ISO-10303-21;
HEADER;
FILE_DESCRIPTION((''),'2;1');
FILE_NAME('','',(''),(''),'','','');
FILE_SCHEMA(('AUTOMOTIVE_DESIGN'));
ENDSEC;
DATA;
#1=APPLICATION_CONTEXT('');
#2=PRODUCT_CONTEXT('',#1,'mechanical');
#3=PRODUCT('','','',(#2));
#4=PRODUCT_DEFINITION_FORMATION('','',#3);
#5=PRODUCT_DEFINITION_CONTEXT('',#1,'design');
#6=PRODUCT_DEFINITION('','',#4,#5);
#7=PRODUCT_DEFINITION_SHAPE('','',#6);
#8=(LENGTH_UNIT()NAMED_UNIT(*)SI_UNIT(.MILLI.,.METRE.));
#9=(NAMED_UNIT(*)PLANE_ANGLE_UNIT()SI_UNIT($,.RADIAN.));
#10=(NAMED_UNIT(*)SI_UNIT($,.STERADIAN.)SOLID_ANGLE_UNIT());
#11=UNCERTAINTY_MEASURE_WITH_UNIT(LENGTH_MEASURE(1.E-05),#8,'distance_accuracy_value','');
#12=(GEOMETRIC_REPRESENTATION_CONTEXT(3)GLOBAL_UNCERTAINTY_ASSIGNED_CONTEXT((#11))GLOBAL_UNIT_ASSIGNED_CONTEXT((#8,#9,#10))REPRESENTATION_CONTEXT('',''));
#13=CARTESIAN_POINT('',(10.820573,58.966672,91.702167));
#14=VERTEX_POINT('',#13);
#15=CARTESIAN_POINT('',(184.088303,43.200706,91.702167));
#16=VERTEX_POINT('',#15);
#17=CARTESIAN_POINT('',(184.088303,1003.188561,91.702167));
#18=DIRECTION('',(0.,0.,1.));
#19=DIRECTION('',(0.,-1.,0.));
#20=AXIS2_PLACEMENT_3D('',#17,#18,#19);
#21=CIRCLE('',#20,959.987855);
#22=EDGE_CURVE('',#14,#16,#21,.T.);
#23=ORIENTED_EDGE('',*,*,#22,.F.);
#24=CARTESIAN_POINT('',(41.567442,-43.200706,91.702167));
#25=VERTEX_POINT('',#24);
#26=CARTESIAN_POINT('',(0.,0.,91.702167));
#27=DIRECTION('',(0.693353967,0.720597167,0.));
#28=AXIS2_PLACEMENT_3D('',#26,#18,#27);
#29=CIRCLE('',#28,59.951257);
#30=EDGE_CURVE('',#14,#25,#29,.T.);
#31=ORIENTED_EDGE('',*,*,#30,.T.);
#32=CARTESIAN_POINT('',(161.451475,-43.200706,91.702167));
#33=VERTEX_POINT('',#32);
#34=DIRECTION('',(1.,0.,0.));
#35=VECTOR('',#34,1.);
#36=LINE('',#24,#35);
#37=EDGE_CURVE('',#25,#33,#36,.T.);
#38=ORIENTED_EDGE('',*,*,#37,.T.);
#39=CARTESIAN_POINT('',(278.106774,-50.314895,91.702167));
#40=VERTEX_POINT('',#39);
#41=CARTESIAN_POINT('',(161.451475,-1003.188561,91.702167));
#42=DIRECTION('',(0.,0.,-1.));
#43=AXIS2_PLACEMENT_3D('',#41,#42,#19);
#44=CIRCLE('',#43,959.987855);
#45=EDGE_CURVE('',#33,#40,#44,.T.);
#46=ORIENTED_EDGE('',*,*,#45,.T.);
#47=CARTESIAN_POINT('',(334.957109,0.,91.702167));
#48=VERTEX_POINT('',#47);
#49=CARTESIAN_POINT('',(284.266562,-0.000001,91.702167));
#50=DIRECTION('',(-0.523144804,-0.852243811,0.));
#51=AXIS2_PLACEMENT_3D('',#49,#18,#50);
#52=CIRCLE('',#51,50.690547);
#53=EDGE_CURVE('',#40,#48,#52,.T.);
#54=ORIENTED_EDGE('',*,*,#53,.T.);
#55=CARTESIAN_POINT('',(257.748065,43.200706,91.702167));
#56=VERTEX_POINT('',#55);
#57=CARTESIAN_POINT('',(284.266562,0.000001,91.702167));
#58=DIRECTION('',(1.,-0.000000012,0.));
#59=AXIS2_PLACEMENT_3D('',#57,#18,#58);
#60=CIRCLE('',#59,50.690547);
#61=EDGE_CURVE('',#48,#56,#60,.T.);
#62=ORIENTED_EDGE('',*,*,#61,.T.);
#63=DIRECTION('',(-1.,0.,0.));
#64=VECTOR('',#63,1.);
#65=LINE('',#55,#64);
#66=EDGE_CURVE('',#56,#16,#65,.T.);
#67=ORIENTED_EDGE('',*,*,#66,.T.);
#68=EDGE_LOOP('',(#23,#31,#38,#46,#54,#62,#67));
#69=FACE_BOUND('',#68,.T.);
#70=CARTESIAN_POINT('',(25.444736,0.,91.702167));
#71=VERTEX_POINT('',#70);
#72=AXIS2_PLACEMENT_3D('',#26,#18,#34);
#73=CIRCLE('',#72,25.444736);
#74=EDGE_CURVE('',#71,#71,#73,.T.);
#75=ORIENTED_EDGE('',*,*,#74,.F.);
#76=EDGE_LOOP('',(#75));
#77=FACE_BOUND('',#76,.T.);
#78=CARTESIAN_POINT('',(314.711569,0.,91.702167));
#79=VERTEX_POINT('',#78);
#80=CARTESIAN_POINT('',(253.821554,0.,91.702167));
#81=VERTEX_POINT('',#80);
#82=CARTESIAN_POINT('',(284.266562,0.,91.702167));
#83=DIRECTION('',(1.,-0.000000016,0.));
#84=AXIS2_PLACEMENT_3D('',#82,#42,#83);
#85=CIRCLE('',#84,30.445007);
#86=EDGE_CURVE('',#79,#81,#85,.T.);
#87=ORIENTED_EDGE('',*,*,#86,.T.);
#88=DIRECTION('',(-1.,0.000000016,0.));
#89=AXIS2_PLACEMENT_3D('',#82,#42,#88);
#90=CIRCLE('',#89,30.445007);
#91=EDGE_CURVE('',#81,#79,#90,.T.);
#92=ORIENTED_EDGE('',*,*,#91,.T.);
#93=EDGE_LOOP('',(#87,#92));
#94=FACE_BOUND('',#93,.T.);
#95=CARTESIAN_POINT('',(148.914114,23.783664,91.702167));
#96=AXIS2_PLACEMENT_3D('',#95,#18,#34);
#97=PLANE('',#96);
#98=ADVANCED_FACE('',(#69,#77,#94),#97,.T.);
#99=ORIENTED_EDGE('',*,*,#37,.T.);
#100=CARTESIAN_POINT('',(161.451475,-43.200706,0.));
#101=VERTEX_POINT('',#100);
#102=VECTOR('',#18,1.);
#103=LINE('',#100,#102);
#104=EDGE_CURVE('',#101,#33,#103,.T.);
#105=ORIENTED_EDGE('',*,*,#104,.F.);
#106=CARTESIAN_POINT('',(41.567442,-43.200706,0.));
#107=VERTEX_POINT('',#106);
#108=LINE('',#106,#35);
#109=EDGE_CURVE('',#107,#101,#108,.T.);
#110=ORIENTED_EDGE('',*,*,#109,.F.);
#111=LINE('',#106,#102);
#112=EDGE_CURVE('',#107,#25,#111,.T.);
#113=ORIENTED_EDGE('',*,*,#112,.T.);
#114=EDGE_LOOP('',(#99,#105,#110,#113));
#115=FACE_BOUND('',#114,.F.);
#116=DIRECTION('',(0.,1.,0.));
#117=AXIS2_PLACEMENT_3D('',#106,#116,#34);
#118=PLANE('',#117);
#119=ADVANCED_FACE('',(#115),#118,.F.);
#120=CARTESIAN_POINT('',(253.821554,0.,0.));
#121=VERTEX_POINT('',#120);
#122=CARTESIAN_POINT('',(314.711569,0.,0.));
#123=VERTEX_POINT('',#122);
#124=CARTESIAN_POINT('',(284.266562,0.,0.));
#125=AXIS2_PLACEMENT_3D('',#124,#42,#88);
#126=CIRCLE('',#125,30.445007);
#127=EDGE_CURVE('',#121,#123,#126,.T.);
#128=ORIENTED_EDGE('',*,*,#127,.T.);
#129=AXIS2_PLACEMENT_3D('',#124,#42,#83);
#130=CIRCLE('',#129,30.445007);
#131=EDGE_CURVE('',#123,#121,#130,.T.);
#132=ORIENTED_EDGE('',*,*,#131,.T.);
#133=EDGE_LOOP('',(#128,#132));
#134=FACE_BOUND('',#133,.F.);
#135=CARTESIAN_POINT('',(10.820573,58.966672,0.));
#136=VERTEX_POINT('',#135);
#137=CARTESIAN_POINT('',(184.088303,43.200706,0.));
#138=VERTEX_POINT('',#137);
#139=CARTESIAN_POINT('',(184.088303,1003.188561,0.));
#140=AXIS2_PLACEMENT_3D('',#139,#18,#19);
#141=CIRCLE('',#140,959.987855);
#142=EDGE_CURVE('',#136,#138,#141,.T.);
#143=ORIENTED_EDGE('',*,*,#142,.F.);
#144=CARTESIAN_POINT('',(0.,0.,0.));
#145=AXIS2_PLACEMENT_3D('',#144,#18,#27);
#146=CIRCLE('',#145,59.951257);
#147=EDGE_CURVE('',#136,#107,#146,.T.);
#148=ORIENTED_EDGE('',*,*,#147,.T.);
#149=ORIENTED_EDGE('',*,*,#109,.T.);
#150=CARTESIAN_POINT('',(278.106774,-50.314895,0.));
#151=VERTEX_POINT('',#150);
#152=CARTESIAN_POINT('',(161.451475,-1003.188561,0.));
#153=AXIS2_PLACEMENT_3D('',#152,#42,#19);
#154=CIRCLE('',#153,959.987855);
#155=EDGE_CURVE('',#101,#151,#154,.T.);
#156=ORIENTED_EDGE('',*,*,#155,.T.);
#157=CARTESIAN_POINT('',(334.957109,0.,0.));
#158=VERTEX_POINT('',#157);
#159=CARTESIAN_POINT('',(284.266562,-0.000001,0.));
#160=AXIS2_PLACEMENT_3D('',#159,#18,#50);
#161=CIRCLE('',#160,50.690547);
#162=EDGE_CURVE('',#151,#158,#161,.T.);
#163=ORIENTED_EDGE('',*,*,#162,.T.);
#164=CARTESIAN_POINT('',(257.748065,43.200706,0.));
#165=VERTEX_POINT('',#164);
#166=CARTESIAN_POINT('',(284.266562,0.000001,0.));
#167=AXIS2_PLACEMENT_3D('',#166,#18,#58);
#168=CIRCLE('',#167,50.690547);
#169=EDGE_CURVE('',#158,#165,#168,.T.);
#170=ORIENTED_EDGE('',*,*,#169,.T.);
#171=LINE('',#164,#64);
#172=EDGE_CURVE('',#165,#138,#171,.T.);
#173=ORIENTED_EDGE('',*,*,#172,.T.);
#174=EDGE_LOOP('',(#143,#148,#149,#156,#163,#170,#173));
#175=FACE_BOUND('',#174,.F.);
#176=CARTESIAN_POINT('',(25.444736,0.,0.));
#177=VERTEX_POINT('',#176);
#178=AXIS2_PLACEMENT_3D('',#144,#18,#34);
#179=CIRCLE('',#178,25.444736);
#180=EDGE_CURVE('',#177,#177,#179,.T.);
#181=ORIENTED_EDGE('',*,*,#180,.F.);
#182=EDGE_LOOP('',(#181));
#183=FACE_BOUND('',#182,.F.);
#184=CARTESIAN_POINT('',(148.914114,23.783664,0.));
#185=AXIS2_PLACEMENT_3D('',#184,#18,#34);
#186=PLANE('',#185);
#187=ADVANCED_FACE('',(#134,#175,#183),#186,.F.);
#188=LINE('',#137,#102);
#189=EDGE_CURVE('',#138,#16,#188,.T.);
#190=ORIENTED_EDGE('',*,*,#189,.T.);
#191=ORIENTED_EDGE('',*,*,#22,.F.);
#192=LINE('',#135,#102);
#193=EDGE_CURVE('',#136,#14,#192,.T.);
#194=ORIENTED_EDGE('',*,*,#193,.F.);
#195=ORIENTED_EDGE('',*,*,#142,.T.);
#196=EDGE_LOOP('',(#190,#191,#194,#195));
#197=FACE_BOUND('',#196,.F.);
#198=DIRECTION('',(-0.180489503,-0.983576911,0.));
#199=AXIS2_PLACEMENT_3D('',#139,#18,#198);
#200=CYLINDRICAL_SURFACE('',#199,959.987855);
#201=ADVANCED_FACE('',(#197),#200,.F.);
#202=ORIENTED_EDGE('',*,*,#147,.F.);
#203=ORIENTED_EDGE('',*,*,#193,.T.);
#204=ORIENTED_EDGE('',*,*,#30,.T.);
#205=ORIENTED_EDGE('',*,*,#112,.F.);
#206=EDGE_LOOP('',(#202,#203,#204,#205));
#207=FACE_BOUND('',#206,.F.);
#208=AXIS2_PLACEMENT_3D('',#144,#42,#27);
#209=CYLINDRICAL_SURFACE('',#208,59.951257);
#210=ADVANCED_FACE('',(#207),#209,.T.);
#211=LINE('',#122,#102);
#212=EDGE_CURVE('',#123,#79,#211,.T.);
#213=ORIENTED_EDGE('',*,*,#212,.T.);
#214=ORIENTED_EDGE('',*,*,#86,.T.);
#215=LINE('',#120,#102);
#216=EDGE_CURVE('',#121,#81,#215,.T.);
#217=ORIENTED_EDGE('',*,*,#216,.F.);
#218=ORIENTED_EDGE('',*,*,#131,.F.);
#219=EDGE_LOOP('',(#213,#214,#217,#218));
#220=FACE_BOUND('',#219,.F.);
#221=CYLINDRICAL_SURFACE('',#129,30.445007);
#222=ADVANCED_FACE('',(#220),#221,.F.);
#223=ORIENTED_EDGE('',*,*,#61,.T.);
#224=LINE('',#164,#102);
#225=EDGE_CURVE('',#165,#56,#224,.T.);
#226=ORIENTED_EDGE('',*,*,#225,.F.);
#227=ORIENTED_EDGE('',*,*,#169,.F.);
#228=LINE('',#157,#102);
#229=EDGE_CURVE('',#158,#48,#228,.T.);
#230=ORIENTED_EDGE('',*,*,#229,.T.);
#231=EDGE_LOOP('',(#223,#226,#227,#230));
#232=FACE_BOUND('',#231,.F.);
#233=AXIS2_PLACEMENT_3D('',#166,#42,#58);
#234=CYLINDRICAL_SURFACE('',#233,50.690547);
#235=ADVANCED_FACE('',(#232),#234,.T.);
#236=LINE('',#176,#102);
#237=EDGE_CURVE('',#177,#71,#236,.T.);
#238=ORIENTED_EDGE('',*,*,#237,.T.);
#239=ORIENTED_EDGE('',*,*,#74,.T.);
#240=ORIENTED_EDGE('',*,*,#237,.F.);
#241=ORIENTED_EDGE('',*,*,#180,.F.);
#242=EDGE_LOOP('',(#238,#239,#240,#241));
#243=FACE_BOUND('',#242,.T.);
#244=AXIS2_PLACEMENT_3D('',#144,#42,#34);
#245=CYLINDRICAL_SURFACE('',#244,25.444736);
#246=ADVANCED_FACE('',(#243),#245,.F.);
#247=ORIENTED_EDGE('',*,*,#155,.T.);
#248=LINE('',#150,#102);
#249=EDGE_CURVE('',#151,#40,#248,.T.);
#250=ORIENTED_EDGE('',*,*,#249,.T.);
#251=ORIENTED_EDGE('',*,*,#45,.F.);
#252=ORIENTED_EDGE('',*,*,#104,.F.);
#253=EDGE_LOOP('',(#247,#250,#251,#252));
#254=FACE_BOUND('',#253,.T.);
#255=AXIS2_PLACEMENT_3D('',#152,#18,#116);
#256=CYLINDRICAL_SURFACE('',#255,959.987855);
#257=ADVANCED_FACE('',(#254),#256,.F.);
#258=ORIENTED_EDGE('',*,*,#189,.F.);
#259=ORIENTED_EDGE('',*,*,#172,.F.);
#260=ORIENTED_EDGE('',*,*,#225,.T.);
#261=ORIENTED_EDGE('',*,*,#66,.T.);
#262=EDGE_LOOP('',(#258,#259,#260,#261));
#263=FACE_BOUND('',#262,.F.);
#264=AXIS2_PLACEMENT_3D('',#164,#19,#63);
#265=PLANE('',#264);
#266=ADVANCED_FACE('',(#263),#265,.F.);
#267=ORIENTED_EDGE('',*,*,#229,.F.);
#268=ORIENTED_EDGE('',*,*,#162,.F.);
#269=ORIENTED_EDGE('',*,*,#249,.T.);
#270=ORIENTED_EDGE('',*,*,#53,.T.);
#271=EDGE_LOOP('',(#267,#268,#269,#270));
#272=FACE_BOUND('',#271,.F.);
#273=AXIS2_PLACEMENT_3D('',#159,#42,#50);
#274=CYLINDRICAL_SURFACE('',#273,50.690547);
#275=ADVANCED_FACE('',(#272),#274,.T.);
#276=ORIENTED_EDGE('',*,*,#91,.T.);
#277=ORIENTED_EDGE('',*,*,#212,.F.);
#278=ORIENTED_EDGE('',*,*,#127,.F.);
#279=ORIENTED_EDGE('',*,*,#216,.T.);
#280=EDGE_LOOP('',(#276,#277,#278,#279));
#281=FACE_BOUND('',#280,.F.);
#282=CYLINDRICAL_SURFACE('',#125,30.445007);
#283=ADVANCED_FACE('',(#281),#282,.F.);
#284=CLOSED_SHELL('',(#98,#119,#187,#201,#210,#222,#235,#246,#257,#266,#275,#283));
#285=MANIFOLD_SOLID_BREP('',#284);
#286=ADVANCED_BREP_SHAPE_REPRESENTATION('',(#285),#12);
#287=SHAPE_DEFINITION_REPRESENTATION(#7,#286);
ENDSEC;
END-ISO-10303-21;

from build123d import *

# Parameters (mm, degrees)
F0_R     = 25.444736
F1_DEPTH = 91.702167
F2_R     = 959.987855


with BuildPart() as f1:
    # F0 (on Top) → F1 (new body)
    with BuildSketch(Plane.XY):
        with BuildLine():
            ThreePointArc((41.567442, 43.200706), (55.16418, 23.474804), (59.951257, 0))
            Line((59.951257, 0), (233.576013, 0))
            ThreePointArc((233.576013, 0), (240.029875, 24.751712), (257.748065, 43.200706))
            Line((257.748065, 43.200706), (41.567442, 43.200706))
        make_face()
        with BuildLine():
            ThreePointArc((257.748065, 43.200706), (240.029875, 24.751712), (233.576013, 0))
            ThreePointArc((233.576013, 0), (240.029875, -24.751712), (257.748065, -43.200706))
            ThreePointArc((257.748065, -43.200706), (309.018274, -44.236686), (334.957109, 0))
            ThreePointArc((334.957109, 0), (309.018274, 44.236686), (257.748065, 43.200706))
        make_face()
        with BuildLine():
            ThreePointArc((314.711569, 0), (284.266561, -30.445007), (253.821554, 0))
            ThreePointArc((253.821554, 0), (284.266561, 30.445007), (314.711569, 0))
        make_face(mode=Mode.SUBTRACT)
        with BuildLine():
            Line((233.576013, 0), (59.951257, 0))
            ThreePointArc((59.951257, 0), (55.16418, -23.474804), (41.567442, -43.200706))
            Line((41.567442, -43.200706), (257.748065, -43.200706))
            ThreePointArc((257.748065, -43.200706), (240.029875, -24.751712), (233.576013, 0))
        make_face()
        with BuildLine():
            ThreePointArc((41.567442, -43.200706), (55.16418, -23.474804), (59.951257, 0))
            ThreePointArc((59.951257, 0), (55.16418, 23.474804), (41.567442, 43.200706))
            ThreePointArc((41.567442, 43.200706), (-59.951257, 0), (41.567442, -43.200706))
        make_face()
        Circle(F0_R, mode=Mode.SUBTRACT)
    extrude(amount=F1_DEPTH)

    # F2
    f2_edges = [f1.edges().sort_by_distance(p)[0] for p in [
        (257.748065, -43.200706, 45.851083),
        (41.567442, 43.200706, 45.851083),
    ]]
    fillet(f2_edges, radius=F2_R)


solid = f1.part
